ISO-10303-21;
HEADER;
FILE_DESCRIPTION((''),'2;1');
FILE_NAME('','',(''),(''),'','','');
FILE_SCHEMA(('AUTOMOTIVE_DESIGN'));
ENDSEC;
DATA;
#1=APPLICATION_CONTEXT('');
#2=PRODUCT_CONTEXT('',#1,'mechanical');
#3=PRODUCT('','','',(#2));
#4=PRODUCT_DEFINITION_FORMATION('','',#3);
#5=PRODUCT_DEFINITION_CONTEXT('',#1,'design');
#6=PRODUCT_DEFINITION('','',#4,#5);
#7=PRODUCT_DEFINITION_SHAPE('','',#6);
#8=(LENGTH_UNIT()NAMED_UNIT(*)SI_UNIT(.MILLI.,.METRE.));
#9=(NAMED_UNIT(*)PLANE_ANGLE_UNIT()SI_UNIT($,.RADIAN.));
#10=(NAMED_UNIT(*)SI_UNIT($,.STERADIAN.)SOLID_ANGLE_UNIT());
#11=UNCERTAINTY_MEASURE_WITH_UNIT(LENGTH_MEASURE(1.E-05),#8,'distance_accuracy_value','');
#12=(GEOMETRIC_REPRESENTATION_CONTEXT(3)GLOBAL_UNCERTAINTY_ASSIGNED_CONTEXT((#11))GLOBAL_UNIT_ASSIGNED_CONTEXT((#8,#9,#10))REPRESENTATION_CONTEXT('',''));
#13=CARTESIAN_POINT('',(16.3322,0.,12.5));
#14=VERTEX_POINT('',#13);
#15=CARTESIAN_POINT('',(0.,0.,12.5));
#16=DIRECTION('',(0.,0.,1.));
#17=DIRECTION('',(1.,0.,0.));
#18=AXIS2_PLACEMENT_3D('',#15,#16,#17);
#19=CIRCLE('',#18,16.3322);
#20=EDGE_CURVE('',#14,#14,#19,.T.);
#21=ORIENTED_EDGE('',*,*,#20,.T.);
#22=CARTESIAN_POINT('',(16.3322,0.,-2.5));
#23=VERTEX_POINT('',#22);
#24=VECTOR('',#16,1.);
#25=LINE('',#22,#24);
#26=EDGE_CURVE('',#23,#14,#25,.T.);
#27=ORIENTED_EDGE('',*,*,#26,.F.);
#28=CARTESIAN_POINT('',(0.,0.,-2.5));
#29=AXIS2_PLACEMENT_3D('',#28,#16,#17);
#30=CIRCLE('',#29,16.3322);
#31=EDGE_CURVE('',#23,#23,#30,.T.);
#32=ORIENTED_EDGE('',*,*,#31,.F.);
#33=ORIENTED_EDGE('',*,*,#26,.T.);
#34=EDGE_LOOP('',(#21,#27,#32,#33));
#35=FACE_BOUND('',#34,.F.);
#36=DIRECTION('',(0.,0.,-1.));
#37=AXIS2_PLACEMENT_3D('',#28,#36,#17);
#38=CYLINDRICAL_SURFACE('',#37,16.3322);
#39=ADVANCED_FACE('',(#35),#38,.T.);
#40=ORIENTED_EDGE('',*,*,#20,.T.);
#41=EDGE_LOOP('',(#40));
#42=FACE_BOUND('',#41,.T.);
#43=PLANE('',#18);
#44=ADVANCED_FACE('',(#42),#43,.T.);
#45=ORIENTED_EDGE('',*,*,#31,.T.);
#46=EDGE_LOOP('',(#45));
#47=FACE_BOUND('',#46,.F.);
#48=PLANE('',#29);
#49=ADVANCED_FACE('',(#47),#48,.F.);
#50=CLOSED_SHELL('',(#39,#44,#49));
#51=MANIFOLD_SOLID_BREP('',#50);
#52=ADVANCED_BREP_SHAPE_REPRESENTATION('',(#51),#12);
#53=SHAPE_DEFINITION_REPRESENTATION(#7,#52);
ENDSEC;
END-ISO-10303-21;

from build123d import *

# Parameters (mm, degrees)
CYLINDER_R     = 16.3322
CYLINDER_DEPTH = 15


with BuildPart() as part:
    # Cylinder → Cylinder (new body)
    with BuildSketch(Plane.XY.offset(-2.5)):
        Circle(CYLINDER_R)
    extrude(amount=CYLINDER_DEPTH)


solid = part.part
